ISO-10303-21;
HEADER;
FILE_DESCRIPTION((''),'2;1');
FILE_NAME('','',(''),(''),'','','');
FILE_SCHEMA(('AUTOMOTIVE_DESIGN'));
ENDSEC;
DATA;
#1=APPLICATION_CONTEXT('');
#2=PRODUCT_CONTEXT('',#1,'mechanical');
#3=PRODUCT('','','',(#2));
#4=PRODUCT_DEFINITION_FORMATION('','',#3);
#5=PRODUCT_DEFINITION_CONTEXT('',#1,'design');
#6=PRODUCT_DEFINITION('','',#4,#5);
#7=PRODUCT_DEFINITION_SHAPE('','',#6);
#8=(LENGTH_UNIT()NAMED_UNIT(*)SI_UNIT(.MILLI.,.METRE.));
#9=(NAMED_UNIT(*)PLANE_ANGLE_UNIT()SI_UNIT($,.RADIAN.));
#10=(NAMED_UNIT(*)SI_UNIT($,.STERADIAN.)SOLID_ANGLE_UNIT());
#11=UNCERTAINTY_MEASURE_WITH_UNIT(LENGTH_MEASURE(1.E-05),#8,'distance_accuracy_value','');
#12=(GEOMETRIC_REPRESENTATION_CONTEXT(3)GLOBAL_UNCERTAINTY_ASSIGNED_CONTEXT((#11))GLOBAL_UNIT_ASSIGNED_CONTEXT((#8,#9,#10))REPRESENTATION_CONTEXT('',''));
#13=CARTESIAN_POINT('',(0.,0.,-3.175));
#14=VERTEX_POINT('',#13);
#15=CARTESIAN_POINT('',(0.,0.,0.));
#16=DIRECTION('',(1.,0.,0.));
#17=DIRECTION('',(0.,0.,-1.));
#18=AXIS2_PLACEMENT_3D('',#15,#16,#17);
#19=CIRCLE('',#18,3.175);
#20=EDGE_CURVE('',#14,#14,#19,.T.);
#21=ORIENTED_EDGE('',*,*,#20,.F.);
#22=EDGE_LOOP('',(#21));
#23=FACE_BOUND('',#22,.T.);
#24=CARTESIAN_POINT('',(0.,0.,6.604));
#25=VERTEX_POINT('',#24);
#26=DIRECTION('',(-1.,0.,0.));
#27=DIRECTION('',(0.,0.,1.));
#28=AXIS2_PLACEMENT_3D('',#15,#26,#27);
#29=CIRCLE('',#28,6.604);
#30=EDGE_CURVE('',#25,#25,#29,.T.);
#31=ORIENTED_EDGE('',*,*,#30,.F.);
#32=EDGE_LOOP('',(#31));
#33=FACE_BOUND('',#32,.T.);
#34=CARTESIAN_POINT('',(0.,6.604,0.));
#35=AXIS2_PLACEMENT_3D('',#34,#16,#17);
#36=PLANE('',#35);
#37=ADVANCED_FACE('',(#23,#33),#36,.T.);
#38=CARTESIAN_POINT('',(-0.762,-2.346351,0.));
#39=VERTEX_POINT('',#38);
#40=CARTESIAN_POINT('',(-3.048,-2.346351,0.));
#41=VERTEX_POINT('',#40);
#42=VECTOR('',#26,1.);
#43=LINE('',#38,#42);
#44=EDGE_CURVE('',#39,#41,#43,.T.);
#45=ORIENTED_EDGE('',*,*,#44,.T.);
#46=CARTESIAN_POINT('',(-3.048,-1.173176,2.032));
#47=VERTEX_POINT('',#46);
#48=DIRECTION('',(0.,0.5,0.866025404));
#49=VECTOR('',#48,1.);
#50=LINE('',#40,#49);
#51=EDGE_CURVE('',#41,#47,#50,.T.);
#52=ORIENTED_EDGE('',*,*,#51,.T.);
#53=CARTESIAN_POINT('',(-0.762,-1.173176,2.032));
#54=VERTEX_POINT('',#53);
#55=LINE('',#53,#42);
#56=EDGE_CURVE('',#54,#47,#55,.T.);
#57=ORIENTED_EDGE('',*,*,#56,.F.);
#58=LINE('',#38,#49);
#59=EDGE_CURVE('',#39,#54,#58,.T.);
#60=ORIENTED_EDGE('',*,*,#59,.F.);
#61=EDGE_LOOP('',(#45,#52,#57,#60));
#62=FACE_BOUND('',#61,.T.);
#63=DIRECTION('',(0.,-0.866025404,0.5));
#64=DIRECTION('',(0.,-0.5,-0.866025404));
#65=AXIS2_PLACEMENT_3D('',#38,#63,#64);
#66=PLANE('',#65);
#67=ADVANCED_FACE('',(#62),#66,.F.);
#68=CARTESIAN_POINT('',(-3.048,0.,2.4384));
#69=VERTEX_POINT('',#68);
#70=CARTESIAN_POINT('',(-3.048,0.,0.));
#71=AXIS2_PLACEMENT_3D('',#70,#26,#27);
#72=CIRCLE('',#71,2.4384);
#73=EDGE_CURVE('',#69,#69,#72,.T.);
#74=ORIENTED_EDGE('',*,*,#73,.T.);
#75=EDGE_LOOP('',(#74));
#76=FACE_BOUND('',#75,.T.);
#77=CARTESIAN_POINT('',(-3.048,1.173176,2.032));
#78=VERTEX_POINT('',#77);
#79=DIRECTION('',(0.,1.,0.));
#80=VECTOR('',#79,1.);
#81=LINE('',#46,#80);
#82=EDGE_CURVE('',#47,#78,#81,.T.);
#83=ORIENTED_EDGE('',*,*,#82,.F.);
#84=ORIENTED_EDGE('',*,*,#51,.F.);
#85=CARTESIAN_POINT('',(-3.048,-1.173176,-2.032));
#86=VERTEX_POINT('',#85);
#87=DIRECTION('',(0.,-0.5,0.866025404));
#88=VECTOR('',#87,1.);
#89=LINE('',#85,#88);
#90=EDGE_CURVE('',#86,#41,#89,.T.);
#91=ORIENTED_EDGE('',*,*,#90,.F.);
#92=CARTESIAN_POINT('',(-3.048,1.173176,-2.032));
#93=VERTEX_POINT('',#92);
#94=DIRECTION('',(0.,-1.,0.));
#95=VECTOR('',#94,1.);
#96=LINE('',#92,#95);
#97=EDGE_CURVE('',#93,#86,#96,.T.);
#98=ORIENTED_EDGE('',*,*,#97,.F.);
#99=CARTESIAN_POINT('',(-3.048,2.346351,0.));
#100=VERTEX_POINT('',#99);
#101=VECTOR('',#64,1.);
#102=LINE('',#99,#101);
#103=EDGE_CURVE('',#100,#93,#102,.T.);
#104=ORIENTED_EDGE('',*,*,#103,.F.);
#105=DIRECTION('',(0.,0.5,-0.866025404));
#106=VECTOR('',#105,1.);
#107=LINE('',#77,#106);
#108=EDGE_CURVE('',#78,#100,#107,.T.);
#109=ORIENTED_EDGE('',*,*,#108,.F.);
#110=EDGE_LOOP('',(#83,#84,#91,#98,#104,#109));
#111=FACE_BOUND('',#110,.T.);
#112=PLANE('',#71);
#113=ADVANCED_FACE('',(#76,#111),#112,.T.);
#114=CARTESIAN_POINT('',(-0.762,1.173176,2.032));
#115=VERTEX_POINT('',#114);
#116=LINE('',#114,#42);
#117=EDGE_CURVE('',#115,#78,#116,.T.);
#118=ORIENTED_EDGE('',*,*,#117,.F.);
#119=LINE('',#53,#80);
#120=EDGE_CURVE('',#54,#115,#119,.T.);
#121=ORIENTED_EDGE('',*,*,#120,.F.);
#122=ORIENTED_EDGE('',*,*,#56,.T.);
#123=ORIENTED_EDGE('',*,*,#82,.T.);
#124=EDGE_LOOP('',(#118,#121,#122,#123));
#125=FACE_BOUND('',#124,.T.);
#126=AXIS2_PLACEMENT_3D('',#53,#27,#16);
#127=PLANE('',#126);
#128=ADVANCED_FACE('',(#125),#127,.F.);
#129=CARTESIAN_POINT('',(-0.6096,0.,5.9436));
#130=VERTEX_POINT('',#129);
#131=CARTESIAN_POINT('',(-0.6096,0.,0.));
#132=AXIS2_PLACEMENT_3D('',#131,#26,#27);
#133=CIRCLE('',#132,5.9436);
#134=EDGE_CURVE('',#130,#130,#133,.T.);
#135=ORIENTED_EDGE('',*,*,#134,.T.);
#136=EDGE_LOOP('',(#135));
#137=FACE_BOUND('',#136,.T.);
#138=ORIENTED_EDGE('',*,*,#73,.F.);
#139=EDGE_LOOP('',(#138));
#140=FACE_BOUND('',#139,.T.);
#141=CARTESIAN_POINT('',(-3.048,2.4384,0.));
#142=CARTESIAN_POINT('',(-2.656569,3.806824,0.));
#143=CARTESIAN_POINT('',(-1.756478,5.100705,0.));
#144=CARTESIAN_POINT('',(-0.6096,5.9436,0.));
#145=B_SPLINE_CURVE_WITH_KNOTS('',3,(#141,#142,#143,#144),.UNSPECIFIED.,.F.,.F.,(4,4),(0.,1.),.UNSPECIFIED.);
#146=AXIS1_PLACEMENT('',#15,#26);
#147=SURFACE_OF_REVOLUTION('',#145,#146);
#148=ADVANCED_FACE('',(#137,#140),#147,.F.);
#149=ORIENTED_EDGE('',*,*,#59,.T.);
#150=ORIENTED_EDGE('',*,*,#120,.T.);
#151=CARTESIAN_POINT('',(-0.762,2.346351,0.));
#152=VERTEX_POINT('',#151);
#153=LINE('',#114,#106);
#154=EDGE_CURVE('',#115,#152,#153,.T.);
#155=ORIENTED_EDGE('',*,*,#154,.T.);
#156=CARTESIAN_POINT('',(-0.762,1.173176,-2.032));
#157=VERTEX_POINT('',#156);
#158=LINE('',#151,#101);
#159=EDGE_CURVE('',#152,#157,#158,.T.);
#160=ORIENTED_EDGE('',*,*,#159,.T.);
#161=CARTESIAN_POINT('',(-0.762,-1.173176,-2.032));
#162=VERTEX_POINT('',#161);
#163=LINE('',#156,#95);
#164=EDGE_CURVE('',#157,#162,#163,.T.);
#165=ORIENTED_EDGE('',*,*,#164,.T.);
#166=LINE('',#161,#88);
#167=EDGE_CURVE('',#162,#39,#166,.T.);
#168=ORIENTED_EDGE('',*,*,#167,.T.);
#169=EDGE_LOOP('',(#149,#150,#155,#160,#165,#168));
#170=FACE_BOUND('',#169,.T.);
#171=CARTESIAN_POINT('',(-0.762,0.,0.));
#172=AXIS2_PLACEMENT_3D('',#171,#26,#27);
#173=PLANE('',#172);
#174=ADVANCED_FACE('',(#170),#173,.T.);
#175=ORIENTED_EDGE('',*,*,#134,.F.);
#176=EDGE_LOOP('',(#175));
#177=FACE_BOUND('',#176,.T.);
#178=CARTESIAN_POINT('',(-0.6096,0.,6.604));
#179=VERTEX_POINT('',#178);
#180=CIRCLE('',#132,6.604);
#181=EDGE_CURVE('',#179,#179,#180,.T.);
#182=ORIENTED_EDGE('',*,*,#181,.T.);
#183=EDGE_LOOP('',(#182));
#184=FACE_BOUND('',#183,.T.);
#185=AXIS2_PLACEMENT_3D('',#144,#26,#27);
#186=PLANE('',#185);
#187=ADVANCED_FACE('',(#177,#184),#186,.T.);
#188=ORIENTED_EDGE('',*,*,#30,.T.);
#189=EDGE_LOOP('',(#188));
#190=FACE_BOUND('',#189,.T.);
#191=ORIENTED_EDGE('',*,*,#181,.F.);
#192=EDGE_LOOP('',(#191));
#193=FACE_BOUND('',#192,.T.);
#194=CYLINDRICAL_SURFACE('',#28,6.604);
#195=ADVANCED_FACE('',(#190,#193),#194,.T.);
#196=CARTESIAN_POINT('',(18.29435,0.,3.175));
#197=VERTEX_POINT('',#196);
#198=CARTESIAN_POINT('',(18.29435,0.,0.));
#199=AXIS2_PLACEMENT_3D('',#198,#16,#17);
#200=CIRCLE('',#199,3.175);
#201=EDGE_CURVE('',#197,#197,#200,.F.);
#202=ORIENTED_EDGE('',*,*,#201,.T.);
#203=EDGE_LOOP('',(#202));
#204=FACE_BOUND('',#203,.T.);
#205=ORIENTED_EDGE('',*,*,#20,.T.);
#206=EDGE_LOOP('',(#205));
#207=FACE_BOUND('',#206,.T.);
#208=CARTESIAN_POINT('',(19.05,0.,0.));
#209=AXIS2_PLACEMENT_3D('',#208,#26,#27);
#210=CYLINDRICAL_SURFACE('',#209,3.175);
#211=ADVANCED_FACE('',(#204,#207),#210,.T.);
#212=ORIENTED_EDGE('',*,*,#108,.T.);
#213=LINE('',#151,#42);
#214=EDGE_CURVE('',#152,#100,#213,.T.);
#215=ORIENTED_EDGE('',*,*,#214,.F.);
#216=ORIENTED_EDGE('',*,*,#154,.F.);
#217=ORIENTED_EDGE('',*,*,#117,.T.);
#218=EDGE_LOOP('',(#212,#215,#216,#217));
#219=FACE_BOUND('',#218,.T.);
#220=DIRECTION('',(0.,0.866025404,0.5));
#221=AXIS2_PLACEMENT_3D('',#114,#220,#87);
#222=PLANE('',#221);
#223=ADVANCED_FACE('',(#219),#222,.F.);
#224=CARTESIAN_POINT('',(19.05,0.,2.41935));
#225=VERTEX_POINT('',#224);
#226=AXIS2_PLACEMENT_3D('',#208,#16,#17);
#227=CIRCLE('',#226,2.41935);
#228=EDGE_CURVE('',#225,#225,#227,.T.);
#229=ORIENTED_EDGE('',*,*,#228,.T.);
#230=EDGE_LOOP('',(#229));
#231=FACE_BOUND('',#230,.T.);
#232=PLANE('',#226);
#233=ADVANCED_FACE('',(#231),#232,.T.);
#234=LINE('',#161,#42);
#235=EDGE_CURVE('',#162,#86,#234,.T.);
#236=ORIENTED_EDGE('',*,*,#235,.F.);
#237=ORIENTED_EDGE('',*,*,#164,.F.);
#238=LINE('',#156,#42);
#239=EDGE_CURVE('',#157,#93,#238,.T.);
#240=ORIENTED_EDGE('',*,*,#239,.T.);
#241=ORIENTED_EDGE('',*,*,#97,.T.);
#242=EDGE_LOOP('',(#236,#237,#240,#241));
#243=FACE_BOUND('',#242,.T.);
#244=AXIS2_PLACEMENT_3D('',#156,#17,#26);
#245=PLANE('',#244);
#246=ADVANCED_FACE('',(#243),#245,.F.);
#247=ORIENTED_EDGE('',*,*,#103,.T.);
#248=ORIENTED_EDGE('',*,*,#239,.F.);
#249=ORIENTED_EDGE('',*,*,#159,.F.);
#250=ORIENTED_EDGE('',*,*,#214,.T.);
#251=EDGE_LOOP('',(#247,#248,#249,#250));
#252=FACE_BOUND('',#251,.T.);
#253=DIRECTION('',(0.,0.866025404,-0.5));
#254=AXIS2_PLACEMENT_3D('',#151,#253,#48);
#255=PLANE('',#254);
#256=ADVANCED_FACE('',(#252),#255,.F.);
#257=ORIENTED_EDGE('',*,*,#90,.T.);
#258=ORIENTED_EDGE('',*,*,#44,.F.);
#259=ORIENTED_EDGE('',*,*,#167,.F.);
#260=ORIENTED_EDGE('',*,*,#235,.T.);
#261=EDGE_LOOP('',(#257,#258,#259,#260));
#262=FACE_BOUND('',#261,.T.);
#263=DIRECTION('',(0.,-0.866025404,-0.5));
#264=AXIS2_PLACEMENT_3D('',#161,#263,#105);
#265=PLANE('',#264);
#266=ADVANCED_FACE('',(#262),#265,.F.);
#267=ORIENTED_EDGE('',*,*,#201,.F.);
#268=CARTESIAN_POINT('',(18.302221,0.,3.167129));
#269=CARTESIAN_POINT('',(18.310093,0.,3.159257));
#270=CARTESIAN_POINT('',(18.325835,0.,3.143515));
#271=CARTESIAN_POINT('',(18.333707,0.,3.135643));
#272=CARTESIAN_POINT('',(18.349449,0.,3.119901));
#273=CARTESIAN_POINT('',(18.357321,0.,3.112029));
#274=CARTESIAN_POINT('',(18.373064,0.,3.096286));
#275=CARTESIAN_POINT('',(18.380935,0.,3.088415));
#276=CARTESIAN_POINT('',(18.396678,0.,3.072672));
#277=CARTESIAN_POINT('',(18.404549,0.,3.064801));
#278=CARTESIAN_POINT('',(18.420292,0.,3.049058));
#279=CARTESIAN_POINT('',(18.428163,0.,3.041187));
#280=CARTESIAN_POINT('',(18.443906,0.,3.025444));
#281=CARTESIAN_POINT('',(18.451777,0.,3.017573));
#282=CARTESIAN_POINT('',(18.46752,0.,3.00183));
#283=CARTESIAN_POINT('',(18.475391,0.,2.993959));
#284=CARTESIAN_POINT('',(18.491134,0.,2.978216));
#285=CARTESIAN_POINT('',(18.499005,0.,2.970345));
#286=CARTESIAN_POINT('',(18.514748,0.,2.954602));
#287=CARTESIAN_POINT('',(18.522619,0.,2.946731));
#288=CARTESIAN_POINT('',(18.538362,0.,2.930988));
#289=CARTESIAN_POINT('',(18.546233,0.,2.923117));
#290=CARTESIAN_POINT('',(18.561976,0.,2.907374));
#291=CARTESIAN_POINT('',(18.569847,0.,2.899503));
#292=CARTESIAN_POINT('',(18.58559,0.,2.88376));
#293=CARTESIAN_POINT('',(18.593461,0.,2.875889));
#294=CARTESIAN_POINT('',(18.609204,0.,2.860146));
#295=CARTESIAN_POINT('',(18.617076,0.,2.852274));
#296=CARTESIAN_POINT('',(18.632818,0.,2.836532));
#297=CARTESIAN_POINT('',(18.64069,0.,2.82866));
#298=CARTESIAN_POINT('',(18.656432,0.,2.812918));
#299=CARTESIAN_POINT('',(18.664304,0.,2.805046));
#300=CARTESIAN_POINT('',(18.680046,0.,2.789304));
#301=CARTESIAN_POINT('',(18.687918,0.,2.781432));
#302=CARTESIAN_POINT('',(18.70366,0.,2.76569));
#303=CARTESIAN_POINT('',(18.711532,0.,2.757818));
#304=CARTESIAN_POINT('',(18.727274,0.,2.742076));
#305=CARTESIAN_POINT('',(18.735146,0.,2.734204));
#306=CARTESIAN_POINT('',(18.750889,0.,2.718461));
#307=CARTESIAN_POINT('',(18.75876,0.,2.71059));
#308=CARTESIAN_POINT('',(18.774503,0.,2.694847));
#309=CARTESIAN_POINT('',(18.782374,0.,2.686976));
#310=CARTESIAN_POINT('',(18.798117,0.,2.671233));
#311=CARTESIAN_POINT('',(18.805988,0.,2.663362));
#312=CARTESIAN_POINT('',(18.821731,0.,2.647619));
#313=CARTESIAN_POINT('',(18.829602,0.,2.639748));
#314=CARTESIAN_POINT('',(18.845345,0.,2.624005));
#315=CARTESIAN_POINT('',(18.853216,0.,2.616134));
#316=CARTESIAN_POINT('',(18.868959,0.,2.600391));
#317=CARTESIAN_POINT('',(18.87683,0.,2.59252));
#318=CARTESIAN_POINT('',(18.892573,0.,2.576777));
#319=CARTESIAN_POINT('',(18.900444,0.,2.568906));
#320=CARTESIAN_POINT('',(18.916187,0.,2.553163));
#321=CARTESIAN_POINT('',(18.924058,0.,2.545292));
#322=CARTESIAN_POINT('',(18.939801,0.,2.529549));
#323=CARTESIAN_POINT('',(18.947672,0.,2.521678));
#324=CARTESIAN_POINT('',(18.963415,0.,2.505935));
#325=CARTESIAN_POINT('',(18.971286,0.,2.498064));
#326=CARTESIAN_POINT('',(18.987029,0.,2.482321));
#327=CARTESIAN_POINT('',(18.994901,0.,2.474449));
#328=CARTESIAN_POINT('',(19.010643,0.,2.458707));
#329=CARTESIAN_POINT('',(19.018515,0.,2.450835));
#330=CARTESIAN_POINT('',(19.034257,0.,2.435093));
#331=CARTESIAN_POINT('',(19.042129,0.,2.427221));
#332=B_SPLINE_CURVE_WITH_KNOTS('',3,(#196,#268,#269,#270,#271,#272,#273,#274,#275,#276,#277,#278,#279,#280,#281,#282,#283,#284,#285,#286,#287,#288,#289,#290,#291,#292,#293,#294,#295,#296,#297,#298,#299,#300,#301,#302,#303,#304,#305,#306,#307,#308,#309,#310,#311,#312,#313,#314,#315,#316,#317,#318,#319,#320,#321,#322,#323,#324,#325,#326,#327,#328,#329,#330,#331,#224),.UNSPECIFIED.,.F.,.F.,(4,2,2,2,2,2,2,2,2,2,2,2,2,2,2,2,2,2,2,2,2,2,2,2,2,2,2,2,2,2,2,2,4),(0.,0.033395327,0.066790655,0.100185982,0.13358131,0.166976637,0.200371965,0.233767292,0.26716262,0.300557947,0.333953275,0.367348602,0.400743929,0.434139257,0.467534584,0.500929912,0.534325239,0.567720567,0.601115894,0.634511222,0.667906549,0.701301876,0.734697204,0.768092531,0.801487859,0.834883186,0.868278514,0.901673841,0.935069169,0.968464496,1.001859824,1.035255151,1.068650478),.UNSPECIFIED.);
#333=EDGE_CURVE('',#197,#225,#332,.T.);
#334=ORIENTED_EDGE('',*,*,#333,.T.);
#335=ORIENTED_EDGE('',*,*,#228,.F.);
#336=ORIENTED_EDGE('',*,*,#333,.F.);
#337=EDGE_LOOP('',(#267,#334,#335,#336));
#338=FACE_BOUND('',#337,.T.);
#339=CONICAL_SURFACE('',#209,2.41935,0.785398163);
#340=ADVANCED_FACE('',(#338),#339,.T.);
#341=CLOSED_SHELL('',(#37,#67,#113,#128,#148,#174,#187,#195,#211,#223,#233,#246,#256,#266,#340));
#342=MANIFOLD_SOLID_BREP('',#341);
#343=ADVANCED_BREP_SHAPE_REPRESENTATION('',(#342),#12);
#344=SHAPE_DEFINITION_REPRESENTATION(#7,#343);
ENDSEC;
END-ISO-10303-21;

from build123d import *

# Parameters (mm, degrees)
SKETCH2_R           = 3.175
BOSS_EXTRUDE1_DEPTH = 19.05
CUT_EXTRUDE1_DEPTH  = 2.286
CHAMFER1_SIZE       = 0.75565


with BuildPart() as part:
    # Sketch1 → Revolve1 (revolve)
    with BuildSketch(Plane(origin=(0, 0, 0), x_dir=(-1, 0, 0), z_dir=(0, 0, -1)), mode=Mode.PRIVATE) as revolve1_sk:
        with BuildLine():
            Line((0, 6.604), (0, 0))
            Line((0, 0), (3.048, 0))
            Line((3.048, 0), (3.048, 2.4384))
            add(Edge.make_bspline(
                [(0.6096, 5.9436), (1.756478304, 5.100704659), (2.65656918, 3.806824025), (3.048, 2.4384)],
                knots=[0, 0, 0, 0, 1, 1, 1, 1], degree=3))
            Line((0.6096, 5.9436), (0.6096, 6.604))
            Line((0.6096, 6.604), (0, 6.604))
        make_face()
    revolve(revolve1_sk.sketch.rotate(Axis((0, 0, 0), (-1, 0, 0)), 270), axis=Axis((0, 0, 0), (-1, 0, 0)))

    # Sketch2 → Boss-Extrude1 (add)
    with BuildSketch(Plane(origin=(0, 0, 0), x_dir=(0, 0, -1), z_dir=(1, 0, 0))):
        Circle(SKETCH2_R)
    extrude(amount=BOSS_EXTRUDE1_DEPTH)

    # Sketch3 → Cut-Extrude1 (cut)
    with BuildSketch(Plane.ZY.offset(3.048)):
        Polygon((0, -2.346351494), (2.032, -1.173175747), (2.032, 1.173175747), (0, 2.346351494), (-2.032, 1.173175747), (-2.032, -1.173175747), align=None)
    extrude(amount=-CUT_EXTRUDE1_DEPTH, mode=Mode.SUBTRACT)

    # Chamfer1
    chamfer1_edges = [part.edges().sort_by_distance(p)[0] for p in [
        (19.05, 0, 3.175),
    ]]
    chamfer(chamfer1_edges, length=CHAMFER1_SIZE)


solid = part.part
